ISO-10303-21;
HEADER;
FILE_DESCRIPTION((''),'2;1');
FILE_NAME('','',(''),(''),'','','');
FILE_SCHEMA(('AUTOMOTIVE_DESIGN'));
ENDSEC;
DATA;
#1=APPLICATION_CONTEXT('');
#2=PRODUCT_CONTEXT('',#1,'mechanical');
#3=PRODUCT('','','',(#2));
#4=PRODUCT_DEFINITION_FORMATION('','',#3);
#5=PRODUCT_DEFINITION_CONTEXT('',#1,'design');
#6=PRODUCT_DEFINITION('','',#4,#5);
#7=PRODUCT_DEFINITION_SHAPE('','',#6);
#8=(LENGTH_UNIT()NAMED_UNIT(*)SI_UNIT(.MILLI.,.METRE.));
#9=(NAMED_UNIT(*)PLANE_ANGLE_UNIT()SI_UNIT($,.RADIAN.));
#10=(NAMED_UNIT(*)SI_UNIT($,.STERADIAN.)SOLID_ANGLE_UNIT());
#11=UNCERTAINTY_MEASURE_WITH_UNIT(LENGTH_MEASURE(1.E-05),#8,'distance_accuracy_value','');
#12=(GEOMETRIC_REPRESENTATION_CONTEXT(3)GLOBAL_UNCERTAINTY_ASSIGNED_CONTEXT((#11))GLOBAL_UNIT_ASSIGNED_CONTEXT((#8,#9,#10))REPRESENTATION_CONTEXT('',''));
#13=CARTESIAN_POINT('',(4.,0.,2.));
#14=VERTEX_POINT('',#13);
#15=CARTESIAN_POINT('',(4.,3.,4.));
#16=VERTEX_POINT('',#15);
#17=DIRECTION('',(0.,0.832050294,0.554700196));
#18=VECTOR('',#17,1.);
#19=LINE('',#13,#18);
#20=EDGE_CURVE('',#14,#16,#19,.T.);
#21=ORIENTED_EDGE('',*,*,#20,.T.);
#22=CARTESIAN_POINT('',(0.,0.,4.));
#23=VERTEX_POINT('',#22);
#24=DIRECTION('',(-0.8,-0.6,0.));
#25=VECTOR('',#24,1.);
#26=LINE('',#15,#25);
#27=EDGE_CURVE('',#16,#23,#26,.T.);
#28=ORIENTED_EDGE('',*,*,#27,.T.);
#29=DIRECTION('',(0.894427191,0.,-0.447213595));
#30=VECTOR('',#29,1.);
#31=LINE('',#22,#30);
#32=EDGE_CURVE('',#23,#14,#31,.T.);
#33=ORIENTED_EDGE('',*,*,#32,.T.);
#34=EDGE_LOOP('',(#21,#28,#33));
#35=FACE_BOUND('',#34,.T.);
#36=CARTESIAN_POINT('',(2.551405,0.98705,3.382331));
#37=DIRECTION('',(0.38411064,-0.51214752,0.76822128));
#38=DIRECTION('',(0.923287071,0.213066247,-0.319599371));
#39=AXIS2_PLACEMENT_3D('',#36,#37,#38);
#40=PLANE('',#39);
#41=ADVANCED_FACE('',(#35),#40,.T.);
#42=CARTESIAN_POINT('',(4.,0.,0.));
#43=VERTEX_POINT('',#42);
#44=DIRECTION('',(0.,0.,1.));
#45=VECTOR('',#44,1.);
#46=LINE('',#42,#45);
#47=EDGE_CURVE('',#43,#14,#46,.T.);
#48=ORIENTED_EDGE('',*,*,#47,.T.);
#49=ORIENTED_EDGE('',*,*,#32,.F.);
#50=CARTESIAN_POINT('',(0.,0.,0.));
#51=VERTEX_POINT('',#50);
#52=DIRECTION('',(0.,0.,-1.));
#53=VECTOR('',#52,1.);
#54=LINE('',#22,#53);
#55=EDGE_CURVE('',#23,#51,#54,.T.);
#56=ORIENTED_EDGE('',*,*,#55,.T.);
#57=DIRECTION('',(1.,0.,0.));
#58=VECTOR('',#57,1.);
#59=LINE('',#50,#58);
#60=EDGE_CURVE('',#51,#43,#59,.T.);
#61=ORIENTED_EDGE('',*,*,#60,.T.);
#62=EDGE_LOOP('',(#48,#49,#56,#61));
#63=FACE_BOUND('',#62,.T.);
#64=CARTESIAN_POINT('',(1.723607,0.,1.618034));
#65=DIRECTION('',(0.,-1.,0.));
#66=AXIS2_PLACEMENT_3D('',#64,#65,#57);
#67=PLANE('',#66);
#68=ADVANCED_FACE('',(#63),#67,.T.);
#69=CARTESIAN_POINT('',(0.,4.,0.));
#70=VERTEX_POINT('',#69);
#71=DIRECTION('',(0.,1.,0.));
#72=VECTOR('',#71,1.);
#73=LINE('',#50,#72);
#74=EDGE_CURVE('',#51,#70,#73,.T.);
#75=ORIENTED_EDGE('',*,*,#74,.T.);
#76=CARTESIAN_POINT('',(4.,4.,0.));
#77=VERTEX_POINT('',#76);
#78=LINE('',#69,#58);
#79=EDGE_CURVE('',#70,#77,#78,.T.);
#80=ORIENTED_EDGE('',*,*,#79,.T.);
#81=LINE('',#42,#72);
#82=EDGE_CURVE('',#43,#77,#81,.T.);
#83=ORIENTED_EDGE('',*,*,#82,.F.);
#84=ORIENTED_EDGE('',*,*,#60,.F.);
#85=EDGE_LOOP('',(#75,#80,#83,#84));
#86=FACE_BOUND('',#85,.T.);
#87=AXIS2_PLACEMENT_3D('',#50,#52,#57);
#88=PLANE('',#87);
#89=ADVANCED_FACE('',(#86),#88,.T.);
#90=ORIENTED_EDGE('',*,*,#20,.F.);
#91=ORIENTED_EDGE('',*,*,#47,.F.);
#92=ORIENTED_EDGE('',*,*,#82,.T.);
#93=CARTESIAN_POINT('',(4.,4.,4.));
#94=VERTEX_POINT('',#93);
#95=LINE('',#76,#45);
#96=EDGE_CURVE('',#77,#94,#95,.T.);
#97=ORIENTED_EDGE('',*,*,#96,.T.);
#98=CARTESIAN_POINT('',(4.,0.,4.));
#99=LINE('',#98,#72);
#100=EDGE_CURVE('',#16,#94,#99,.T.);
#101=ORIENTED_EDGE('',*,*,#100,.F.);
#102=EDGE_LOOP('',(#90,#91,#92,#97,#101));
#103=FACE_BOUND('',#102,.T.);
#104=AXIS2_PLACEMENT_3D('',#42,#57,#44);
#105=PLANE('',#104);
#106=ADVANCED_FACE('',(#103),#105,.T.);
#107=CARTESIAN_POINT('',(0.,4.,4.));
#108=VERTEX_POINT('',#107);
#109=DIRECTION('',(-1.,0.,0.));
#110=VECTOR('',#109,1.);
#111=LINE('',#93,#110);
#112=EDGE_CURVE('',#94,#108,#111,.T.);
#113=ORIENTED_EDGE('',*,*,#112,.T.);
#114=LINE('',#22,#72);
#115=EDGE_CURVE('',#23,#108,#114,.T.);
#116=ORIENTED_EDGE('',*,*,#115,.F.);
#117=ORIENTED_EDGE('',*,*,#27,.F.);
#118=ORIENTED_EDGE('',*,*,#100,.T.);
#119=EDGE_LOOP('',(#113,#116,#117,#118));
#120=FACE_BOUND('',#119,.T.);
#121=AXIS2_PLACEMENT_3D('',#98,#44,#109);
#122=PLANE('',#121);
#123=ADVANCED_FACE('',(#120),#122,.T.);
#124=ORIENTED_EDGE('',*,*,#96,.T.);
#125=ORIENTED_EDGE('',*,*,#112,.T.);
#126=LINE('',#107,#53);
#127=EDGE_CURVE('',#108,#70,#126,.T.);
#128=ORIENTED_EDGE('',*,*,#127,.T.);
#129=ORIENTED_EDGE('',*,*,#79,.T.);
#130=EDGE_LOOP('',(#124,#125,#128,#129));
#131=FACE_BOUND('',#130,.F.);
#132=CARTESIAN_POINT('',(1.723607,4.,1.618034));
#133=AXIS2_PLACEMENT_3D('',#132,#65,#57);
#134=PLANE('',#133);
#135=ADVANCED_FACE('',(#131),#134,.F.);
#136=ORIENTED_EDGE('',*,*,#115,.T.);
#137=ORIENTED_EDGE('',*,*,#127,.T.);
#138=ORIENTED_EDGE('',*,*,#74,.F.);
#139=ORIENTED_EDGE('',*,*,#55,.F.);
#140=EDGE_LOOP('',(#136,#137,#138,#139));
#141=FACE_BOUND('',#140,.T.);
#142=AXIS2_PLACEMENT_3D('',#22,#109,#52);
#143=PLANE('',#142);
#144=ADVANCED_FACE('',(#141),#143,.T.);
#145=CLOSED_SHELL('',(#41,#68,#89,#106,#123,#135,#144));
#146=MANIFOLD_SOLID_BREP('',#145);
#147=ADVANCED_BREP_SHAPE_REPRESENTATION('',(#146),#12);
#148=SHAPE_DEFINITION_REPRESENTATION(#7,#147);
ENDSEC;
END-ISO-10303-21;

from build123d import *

# Parameters (mm, degrees)
F1_DEPTH = 4
F6_DEPTH = 25


with BuildPart() as f1:
    # F0 (on Front) → F1 (new body)
    with BuildSketch(Plane.XZ):
        Polygon((0, 4), (0, 0), (4, 0), (4, 2), align=None)
        Polygon((4, 4), (0, 4), (4, 2), align=None)
    extrude(amount=-F1_DEPTH)

    # F5 (on 3pt) → F6 (cut)
    with BuildSketch(Plane(origin=(1.1803278689, -1.5737704918, 2.3606557377), x_dir=(0.9232870715, 0.2130662473, -0.3195993709), z_dir=(0.3841106398, -0.5121475197, 0.7682212796))):
        Polygon((3.0539495442, 1.1094003925), (3.0539495442, 4.7149516679), (-1.2783974836, 2.2188007849), align=None)
    extrude(amount=F6_DEPTH, mode=Mode.SUBTRACT)


solid = f1.part
